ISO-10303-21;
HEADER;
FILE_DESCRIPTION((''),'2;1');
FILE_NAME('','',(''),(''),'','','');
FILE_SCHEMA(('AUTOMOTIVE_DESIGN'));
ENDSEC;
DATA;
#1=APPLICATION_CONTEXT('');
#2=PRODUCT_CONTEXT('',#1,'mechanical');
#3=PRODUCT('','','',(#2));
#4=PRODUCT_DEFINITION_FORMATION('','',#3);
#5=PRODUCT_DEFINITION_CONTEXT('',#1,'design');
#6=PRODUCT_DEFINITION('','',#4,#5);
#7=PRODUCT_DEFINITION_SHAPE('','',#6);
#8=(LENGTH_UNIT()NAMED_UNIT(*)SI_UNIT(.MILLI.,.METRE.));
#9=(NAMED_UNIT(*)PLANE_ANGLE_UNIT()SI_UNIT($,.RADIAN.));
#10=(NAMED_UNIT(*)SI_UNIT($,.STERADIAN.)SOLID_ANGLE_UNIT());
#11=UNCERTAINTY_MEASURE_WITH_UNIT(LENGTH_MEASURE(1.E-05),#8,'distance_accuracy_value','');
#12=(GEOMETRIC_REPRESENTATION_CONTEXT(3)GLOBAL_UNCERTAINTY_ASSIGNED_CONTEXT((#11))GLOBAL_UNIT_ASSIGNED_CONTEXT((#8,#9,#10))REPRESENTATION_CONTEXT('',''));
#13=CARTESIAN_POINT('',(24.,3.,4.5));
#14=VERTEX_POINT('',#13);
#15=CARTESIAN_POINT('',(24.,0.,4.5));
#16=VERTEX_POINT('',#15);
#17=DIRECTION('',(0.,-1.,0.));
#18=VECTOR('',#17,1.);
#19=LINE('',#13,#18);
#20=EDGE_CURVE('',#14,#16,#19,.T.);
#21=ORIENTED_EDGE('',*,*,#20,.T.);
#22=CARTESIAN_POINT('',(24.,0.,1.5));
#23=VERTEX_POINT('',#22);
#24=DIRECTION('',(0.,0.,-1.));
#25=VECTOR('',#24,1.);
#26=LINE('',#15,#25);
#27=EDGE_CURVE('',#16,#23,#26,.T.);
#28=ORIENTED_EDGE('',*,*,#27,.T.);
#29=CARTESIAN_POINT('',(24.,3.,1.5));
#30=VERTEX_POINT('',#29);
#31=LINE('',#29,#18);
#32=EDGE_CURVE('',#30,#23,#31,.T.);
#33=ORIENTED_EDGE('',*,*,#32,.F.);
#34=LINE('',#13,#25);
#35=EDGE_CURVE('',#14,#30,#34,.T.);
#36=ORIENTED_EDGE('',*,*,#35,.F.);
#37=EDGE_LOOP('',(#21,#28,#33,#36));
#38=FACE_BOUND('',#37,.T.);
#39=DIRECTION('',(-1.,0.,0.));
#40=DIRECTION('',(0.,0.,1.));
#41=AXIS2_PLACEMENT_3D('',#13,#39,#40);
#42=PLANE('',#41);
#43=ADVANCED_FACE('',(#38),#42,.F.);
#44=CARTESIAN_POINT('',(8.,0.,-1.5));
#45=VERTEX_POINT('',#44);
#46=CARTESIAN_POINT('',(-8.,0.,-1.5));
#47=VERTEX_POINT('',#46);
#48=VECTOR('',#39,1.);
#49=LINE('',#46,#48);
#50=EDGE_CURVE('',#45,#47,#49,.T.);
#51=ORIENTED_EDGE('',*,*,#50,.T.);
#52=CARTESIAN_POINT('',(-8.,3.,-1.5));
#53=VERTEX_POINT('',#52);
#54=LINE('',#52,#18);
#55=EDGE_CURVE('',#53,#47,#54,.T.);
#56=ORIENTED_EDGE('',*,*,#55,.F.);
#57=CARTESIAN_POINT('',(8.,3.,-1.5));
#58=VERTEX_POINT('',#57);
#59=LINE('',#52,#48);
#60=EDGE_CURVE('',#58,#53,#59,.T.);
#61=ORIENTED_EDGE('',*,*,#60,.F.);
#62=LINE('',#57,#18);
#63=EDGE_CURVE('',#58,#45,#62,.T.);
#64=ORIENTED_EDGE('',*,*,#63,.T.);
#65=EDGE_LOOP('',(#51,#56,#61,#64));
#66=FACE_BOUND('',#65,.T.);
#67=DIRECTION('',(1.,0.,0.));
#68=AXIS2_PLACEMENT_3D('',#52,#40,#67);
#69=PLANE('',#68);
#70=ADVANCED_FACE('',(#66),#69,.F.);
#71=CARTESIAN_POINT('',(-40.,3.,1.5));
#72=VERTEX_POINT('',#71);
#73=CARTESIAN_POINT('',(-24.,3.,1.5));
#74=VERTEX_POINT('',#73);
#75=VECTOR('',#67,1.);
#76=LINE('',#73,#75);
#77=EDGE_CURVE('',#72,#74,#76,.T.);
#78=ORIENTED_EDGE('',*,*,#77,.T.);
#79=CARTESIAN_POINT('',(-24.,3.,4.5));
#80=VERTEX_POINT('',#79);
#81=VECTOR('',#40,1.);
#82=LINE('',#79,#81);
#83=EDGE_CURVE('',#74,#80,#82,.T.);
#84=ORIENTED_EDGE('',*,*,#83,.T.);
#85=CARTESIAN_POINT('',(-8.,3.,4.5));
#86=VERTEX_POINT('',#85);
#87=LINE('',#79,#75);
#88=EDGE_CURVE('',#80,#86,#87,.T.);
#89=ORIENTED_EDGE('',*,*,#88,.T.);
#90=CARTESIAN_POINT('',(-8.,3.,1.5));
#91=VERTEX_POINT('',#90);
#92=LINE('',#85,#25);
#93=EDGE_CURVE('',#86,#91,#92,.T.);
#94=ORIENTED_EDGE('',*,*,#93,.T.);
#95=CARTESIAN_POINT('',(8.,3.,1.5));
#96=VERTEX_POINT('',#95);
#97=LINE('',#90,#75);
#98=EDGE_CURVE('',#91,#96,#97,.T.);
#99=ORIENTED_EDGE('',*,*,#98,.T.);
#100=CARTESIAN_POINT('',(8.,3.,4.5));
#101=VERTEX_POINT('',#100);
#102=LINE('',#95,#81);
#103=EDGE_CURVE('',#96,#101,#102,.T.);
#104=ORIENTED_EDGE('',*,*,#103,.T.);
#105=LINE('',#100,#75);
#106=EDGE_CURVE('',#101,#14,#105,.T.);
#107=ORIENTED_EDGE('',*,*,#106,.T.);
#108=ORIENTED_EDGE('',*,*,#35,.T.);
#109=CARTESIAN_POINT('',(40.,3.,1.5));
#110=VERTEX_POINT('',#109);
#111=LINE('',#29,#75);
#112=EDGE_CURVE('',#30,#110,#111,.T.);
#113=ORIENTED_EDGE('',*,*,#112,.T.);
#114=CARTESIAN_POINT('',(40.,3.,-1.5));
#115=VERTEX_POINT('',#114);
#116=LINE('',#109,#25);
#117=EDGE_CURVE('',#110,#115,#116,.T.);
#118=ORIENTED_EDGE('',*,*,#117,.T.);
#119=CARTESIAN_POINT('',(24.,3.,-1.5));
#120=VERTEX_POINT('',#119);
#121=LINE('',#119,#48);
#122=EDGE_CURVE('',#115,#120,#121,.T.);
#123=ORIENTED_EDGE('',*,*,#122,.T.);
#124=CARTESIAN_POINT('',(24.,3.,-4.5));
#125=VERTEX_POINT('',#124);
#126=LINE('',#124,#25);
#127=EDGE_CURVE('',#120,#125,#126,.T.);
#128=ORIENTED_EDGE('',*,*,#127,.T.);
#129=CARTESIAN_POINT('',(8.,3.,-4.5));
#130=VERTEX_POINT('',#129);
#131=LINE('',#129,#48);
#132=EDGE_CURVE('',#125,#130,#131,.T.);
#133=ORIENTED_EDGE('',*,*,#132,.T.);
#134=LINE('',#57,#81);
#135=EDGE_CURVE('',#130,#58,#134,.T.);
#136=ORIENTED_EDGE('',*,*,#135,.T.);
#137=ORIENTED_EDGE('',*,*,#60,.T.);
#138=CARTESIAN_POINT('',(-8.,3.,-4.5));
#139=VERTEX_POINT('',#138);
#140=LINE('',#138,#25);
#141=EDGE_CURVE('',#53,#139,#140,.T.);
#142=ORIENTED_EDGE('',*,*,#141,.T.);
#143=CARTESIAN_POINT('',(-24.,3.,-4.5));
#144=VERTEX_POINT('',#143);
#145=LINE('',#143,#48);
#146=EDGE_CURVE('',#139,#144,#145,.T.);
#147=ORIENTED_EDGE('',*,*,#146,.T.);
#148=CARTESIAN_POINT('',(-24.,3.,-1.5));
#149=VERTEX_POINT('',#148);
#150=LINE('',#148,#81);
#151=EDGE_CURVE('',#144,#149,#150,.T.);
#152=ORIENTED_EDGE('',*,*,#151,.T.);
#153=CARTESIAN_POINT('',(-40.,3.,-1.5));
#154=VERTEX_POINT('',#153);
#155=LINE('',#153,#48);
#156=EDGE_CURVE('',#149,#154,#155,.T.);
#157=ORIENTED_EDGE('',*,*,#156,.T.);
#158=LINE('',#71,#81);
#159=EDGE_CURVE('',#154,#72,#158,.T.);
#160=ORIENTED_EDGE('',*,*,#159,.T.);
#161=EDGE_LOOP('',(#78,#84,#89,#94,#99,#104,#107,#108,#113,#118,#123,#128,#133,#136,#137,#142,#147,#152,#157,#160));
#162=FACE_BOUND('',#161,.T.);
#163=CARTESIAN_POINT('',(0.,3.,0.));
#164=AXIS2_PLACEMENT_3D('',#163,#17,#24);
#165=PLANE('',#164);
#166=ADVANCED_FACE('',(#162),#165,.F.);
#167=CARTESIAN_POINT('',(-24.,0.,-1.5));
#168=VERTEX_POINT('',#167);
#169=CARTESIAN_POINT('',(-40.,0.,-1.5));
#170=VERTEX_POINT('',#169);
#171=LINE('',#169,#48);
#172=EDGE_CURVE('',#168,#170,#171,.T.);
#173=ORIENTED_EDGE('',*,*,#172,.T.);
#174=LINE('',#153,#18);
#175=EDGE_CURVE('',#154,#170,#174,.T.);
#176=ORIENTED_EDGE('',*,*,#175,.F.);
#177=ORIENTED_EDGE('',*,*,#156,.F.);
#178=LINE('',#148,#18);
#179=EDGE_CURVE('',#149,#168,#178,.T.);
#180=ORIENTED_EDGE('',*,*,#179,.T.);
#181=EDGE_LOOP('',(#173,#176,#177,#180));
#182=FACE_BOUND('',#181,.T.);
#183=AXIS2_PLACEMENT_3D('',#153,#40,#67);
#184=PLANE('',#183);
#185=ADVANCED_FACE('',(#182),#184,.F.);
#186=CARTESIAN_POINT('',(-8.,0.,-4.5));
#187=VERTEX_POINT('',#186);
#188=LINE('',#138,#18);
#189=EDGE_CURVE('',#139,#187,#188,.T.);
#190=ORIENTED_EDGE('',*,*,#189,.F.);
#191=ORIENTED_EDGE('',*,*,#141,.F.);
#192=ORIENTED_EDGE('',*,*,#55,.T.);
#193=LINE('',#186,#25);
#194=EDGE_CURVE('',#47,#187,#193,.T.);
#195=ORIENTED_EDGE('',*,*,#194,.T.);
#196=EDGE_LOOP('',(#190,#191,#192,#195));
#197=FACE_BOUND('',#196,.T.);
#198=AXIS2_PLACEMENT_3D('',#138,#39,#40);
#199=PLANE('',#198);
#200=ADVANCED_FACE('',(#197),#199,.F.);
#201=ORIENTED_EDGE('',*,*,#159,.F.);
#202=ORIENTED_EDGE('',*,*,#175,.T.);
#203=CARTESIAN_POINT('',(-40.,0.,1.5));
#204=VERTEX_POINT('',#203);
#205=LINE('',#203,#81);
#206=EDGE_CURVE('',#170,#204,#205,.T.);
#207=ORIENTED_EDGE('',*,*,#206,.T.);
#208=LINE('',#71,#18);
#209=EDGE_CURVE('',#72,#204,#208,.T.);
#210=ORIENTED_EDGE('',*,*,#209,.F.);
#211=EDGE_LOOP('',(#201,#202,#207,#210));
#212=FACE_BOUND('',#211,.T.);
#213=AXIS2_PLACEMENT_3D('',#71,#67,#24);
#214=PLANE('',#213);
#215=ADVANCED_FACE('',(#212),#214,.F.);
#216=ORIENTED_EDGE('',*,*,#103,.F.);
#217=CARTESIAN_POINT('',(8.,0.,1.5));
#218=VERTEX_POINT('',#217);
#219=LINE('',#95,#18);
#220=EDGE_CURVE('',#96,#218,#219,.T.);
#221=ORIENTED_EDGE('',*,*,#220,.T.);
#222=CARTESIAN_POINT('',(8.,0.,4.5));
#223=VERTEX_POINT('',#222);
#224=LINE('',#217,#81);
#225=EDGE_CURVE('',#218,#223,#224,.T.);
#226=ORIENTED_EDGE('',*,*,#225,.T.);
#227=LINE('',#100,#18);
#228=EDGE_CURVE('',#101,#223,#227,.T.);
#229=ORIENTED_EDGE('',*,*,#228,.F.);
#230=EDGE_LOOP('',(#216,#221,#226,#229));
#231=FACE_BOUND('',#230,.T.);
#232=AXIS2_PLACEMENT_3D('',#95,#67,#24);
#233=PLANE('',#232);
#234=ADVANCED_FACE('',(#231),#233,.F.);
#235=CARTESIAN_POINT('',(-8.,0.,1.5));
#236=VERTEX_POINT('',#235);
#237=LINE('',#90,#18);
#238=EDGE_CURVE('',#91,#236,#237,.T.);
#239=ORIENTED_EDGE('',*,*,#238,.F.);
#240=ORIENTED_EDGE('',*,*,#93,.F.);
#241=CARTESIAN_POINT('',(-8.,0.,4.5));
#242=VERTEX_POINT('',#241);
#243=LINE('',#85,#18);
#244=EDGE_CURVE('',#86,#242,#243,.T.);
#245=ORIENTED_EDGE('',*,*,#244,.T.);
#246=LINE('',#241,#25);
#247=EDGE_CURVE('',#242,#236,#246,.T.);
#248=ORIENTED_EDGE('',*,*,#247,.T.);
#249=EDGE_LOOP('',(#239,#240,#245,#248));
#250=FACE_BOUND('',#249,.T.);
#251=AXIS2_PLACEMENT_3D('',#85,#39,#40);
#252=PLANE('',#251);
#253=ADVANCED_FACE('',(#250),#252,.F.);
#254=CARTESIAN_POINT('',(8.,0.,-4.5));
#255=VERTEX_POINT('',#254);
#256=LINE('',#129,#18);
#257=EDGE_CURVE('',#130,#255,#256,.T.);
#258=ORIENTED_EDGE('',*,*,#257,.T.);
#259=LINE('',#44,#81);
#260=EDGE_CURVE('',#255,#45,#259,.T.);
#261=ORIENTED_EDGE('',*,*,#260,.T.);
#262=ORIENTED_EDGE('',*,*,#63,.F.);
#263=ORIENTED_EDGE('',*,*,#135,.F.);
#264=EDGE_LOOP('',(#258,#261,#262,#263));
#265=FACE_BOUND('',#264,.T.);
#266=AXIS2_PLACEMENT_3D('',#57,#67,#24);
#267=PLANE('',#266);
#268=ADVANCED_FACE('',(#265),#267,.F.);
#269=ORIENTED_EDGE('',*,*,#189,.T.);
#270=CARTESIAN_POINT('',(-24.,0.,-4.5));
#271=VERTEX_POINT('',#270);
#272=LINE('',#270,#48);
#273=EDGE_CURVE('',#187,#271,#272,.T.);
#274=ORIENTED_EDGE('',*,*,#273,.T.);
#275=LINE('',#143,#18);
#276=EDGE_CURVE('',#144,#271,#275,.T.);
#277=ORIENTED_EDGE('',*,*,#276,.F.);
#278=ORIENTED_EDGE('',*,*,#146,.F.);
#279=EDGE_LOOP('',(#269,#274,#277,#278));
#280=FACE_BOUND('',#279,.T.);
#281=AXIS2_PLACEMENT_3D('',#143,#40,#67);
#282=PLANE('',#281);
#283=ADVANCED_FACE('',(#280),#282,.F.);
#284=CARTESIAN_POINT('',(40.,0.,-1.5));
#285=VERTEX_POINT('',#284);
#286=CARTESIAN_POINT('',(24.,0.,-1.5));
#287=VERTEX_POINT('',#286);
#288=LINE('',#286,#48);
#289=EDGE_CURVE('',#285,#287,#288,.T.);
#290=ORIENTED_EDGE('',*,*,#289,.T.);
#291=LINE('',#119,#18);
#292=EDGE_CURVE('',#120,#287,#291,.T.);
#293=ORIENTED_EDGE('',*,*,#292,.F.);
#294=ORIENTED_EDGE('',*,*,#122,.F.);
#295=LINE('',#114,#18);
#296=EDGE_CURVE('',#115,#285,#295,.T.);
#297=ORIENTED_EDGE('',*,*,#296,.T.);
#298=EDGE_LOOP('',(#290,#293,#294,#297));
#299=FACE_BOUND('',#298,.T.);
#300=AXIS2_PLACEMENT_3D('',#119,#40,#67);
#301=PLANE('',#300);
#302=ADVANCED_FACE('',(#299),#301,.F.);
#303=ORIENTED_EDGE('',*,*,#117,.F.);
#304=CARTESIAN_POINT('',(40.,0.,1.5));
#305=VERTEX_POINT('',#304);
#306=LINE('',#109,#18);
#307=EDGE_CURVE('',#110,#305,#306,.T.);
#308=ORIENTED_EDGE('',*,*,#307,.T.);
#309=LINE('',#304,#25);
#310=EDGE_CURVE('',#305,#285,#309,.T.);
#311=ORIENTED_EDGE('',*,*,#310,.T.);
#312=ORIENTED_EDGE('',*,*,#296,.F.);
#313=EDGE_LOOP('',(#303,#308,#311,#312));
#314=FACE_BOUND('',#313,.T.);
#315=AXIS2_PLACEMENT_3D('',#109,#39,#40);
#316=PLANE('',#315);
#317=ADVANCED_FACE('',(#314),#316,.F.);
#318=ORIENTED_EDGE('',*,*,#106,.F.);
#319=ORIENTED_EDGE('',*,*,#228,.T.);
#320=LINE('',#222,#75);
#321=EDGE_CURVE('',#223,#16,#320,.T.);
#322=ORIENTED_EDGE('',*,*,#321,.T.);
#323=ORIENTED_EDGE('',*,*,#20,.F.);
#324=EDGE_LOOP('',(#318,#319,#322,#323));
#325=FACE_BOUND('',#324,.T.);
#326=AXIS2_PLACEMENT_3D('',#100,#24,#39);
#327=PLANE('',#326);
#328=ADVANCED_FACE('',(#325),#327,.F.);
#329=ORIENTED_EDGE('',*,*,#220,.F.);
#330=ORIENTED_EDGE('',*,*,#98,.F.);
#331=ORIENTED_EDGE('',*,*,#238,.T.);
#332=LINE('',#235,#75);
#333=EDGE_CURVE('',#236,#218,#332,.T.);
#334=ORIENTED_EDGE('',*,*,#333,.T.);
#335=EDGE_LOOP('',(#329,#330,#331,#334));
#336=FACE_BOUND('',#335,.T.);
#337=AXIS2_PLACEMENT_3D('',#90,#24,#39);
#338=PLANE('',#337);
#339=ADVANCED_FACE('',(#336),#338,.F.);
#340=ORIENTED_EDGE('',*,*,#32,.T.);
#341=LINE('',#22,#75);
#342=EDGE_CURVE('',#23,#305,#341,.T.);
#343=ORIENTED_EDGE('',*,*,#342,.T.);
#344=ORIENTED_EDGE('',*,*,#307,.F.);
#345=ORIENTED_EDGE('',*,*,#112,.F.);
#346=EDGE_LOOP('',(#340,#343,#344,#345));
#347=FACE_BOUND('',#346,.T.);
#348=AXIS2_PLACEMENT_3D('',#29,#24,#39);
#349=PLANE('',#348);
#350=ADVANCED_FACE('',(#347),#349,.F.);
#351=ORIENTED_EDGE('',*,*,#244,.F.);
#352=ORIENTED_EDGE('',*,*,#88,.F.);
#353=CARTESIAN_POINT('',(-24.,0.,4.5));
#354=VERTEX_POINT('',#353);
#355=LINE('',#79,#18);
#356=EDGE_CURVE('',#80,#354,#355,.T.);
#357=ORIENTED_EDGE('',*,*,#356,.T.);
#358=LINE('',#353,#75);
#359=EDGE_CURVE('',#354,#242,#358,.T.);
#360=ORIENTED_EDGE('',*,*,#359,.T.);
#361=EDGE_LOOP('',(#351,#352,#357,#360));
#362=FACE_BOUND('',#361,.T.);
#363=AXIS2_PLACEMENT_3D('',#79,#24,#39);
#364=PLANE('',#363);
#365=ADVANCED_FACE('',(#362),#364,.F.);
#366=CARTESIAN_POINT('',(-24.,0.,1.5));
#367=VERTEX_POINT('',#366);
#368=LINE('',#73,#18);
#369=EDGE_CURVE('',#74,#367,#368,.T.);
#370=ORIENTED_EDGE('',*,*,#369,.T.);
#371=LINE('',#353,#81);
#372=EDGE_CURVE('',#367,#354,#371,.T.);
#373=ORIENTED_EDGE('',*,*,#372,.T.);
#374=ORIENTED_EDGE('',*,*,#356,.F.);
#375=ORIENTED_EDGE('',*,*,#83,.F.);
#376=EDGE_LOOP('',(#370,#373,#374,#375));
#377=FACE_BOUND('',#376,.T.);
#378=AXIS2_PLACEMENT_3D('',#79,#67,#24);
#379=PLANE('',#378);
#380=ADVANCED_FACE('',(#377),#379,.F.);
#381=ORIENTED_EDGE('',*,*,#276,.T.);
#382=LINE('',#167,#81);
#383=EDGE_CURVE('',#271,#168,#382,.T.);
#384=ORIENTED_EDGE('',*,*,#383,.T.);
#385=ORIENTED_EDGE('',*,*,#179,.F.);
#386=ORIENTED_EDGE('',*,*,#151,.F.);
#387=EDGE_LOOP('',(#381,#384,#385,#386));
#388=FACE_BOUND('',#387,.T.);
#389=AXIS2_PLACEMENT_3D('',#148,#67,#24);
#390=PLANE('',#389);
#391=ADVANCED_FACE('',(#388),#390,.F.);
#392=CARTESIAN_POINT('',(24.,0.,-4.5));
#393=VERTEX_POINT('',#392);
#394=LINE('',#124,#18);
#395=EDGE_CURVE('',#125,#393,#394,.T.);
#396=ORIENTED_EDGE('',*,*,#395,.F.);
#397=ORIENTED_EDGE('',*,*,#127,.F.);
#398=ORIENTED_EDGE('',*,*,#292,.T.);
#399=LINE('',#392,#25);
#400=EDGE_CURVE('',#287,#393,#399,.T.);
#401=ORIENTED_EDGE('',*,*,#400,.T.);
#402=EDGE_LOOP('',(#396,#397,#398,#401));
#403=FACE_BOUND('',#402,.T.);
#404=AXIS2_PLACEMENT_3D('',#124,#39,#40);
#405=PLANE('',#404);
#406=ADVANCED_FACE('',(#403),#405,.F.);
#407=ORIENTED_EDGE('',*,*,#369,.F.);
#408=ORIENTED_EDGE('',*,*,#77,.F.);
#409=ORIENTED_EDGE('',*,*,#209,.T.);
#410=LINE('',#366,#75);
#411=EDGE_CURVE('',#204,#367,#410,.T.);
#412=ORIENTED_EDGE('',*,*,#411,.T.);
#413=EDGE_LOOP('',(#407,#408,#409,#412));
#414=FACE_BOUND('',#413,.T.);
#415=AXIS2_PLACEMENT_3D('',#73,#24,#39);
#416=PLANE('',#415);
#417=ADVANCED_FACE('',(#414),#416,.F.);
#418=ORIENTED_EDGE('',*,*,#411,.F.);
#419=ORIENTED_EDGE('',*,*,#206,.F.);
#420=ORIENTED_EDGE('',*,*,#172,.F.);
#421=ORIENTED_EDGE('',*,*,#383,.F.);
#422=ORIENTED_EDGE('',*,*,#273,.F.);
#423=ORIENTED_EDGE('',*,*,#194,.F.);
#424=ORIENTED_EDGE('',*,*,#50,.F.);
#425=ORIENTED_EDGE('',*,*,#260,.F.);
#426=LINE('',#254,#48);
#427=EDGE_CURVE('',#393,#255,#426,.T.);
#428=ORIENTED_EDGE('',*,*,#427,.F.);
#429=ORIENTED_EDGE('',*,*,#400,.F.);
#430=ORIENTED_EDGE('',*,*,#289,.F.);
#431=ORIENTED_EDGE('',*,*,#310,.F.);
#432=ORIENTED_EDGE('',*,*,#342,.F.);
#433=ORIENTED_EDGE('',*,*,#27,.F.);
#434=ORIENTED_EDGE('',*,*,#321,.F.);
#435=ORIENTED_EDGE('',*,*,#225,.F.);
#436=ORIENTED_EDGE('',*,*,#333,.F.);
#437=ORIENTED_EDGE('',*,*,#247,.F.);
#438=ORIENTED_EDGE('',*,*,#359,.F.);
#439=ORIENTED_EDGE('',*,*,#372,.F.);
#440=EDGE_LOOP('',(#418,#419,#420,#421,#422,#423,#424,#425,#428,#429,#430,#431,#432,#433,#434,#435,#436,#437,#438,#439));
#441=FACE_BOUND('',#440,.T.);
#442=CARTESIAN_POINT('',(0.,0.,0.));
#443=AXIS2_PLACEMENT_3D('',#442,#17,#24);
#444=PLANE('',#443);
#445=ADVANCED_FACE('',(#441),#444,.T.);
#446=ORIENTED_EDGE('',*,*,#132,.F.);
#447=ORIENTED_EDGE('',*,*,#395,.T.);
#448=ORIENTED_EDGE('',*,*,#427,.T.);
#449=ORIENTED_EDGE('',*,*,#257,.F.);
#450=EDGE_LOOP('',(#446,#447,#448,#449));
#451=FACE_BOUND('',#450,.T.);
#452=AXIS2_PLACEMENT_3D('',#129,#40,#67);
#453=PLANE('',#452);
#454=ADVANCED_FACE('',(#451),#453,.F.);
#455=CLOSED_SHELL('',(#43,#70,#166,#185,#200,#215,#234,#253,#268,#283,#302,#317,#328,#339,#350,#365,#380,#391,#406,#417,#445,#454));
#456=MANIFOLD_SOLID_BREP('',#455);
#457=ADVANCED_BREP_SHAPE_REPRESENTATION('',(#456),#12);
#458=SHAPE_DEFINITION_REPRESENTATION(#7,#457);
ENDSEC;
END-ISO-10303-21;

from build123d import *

# Parameters (mm, degrees)
BOSS_EXTRUDE2_DEPTH = 3


with BuildPart() as part:
    # Sketch1 → Boss-Extrude2 (new body)
    with BuildSketch(Plane(origin=(0, 0, 0), x_dir=(1, 0, 0), z_dir=(0, 1, 0))):
        Polygon((-24, -4.5), (-8, -4.5), (-8, -1.5), (8, -1.5), (8, -4.5), (24, -4.5), (24, -1.5), (40, -1.5), (40, 1.5), (24, 1.5), (24, 4.5), (8, 4.5), (8, 1.5), (-8, 1.5), (-8, 4.5), (-24, 4.5), (-24, 1.5), (-40, 1.5), (-40, -1.5), (-24, -1.5), align=None)
    extrude(amount=BOSS_EXTRUDE2_DEPTH)


solid = part.part
